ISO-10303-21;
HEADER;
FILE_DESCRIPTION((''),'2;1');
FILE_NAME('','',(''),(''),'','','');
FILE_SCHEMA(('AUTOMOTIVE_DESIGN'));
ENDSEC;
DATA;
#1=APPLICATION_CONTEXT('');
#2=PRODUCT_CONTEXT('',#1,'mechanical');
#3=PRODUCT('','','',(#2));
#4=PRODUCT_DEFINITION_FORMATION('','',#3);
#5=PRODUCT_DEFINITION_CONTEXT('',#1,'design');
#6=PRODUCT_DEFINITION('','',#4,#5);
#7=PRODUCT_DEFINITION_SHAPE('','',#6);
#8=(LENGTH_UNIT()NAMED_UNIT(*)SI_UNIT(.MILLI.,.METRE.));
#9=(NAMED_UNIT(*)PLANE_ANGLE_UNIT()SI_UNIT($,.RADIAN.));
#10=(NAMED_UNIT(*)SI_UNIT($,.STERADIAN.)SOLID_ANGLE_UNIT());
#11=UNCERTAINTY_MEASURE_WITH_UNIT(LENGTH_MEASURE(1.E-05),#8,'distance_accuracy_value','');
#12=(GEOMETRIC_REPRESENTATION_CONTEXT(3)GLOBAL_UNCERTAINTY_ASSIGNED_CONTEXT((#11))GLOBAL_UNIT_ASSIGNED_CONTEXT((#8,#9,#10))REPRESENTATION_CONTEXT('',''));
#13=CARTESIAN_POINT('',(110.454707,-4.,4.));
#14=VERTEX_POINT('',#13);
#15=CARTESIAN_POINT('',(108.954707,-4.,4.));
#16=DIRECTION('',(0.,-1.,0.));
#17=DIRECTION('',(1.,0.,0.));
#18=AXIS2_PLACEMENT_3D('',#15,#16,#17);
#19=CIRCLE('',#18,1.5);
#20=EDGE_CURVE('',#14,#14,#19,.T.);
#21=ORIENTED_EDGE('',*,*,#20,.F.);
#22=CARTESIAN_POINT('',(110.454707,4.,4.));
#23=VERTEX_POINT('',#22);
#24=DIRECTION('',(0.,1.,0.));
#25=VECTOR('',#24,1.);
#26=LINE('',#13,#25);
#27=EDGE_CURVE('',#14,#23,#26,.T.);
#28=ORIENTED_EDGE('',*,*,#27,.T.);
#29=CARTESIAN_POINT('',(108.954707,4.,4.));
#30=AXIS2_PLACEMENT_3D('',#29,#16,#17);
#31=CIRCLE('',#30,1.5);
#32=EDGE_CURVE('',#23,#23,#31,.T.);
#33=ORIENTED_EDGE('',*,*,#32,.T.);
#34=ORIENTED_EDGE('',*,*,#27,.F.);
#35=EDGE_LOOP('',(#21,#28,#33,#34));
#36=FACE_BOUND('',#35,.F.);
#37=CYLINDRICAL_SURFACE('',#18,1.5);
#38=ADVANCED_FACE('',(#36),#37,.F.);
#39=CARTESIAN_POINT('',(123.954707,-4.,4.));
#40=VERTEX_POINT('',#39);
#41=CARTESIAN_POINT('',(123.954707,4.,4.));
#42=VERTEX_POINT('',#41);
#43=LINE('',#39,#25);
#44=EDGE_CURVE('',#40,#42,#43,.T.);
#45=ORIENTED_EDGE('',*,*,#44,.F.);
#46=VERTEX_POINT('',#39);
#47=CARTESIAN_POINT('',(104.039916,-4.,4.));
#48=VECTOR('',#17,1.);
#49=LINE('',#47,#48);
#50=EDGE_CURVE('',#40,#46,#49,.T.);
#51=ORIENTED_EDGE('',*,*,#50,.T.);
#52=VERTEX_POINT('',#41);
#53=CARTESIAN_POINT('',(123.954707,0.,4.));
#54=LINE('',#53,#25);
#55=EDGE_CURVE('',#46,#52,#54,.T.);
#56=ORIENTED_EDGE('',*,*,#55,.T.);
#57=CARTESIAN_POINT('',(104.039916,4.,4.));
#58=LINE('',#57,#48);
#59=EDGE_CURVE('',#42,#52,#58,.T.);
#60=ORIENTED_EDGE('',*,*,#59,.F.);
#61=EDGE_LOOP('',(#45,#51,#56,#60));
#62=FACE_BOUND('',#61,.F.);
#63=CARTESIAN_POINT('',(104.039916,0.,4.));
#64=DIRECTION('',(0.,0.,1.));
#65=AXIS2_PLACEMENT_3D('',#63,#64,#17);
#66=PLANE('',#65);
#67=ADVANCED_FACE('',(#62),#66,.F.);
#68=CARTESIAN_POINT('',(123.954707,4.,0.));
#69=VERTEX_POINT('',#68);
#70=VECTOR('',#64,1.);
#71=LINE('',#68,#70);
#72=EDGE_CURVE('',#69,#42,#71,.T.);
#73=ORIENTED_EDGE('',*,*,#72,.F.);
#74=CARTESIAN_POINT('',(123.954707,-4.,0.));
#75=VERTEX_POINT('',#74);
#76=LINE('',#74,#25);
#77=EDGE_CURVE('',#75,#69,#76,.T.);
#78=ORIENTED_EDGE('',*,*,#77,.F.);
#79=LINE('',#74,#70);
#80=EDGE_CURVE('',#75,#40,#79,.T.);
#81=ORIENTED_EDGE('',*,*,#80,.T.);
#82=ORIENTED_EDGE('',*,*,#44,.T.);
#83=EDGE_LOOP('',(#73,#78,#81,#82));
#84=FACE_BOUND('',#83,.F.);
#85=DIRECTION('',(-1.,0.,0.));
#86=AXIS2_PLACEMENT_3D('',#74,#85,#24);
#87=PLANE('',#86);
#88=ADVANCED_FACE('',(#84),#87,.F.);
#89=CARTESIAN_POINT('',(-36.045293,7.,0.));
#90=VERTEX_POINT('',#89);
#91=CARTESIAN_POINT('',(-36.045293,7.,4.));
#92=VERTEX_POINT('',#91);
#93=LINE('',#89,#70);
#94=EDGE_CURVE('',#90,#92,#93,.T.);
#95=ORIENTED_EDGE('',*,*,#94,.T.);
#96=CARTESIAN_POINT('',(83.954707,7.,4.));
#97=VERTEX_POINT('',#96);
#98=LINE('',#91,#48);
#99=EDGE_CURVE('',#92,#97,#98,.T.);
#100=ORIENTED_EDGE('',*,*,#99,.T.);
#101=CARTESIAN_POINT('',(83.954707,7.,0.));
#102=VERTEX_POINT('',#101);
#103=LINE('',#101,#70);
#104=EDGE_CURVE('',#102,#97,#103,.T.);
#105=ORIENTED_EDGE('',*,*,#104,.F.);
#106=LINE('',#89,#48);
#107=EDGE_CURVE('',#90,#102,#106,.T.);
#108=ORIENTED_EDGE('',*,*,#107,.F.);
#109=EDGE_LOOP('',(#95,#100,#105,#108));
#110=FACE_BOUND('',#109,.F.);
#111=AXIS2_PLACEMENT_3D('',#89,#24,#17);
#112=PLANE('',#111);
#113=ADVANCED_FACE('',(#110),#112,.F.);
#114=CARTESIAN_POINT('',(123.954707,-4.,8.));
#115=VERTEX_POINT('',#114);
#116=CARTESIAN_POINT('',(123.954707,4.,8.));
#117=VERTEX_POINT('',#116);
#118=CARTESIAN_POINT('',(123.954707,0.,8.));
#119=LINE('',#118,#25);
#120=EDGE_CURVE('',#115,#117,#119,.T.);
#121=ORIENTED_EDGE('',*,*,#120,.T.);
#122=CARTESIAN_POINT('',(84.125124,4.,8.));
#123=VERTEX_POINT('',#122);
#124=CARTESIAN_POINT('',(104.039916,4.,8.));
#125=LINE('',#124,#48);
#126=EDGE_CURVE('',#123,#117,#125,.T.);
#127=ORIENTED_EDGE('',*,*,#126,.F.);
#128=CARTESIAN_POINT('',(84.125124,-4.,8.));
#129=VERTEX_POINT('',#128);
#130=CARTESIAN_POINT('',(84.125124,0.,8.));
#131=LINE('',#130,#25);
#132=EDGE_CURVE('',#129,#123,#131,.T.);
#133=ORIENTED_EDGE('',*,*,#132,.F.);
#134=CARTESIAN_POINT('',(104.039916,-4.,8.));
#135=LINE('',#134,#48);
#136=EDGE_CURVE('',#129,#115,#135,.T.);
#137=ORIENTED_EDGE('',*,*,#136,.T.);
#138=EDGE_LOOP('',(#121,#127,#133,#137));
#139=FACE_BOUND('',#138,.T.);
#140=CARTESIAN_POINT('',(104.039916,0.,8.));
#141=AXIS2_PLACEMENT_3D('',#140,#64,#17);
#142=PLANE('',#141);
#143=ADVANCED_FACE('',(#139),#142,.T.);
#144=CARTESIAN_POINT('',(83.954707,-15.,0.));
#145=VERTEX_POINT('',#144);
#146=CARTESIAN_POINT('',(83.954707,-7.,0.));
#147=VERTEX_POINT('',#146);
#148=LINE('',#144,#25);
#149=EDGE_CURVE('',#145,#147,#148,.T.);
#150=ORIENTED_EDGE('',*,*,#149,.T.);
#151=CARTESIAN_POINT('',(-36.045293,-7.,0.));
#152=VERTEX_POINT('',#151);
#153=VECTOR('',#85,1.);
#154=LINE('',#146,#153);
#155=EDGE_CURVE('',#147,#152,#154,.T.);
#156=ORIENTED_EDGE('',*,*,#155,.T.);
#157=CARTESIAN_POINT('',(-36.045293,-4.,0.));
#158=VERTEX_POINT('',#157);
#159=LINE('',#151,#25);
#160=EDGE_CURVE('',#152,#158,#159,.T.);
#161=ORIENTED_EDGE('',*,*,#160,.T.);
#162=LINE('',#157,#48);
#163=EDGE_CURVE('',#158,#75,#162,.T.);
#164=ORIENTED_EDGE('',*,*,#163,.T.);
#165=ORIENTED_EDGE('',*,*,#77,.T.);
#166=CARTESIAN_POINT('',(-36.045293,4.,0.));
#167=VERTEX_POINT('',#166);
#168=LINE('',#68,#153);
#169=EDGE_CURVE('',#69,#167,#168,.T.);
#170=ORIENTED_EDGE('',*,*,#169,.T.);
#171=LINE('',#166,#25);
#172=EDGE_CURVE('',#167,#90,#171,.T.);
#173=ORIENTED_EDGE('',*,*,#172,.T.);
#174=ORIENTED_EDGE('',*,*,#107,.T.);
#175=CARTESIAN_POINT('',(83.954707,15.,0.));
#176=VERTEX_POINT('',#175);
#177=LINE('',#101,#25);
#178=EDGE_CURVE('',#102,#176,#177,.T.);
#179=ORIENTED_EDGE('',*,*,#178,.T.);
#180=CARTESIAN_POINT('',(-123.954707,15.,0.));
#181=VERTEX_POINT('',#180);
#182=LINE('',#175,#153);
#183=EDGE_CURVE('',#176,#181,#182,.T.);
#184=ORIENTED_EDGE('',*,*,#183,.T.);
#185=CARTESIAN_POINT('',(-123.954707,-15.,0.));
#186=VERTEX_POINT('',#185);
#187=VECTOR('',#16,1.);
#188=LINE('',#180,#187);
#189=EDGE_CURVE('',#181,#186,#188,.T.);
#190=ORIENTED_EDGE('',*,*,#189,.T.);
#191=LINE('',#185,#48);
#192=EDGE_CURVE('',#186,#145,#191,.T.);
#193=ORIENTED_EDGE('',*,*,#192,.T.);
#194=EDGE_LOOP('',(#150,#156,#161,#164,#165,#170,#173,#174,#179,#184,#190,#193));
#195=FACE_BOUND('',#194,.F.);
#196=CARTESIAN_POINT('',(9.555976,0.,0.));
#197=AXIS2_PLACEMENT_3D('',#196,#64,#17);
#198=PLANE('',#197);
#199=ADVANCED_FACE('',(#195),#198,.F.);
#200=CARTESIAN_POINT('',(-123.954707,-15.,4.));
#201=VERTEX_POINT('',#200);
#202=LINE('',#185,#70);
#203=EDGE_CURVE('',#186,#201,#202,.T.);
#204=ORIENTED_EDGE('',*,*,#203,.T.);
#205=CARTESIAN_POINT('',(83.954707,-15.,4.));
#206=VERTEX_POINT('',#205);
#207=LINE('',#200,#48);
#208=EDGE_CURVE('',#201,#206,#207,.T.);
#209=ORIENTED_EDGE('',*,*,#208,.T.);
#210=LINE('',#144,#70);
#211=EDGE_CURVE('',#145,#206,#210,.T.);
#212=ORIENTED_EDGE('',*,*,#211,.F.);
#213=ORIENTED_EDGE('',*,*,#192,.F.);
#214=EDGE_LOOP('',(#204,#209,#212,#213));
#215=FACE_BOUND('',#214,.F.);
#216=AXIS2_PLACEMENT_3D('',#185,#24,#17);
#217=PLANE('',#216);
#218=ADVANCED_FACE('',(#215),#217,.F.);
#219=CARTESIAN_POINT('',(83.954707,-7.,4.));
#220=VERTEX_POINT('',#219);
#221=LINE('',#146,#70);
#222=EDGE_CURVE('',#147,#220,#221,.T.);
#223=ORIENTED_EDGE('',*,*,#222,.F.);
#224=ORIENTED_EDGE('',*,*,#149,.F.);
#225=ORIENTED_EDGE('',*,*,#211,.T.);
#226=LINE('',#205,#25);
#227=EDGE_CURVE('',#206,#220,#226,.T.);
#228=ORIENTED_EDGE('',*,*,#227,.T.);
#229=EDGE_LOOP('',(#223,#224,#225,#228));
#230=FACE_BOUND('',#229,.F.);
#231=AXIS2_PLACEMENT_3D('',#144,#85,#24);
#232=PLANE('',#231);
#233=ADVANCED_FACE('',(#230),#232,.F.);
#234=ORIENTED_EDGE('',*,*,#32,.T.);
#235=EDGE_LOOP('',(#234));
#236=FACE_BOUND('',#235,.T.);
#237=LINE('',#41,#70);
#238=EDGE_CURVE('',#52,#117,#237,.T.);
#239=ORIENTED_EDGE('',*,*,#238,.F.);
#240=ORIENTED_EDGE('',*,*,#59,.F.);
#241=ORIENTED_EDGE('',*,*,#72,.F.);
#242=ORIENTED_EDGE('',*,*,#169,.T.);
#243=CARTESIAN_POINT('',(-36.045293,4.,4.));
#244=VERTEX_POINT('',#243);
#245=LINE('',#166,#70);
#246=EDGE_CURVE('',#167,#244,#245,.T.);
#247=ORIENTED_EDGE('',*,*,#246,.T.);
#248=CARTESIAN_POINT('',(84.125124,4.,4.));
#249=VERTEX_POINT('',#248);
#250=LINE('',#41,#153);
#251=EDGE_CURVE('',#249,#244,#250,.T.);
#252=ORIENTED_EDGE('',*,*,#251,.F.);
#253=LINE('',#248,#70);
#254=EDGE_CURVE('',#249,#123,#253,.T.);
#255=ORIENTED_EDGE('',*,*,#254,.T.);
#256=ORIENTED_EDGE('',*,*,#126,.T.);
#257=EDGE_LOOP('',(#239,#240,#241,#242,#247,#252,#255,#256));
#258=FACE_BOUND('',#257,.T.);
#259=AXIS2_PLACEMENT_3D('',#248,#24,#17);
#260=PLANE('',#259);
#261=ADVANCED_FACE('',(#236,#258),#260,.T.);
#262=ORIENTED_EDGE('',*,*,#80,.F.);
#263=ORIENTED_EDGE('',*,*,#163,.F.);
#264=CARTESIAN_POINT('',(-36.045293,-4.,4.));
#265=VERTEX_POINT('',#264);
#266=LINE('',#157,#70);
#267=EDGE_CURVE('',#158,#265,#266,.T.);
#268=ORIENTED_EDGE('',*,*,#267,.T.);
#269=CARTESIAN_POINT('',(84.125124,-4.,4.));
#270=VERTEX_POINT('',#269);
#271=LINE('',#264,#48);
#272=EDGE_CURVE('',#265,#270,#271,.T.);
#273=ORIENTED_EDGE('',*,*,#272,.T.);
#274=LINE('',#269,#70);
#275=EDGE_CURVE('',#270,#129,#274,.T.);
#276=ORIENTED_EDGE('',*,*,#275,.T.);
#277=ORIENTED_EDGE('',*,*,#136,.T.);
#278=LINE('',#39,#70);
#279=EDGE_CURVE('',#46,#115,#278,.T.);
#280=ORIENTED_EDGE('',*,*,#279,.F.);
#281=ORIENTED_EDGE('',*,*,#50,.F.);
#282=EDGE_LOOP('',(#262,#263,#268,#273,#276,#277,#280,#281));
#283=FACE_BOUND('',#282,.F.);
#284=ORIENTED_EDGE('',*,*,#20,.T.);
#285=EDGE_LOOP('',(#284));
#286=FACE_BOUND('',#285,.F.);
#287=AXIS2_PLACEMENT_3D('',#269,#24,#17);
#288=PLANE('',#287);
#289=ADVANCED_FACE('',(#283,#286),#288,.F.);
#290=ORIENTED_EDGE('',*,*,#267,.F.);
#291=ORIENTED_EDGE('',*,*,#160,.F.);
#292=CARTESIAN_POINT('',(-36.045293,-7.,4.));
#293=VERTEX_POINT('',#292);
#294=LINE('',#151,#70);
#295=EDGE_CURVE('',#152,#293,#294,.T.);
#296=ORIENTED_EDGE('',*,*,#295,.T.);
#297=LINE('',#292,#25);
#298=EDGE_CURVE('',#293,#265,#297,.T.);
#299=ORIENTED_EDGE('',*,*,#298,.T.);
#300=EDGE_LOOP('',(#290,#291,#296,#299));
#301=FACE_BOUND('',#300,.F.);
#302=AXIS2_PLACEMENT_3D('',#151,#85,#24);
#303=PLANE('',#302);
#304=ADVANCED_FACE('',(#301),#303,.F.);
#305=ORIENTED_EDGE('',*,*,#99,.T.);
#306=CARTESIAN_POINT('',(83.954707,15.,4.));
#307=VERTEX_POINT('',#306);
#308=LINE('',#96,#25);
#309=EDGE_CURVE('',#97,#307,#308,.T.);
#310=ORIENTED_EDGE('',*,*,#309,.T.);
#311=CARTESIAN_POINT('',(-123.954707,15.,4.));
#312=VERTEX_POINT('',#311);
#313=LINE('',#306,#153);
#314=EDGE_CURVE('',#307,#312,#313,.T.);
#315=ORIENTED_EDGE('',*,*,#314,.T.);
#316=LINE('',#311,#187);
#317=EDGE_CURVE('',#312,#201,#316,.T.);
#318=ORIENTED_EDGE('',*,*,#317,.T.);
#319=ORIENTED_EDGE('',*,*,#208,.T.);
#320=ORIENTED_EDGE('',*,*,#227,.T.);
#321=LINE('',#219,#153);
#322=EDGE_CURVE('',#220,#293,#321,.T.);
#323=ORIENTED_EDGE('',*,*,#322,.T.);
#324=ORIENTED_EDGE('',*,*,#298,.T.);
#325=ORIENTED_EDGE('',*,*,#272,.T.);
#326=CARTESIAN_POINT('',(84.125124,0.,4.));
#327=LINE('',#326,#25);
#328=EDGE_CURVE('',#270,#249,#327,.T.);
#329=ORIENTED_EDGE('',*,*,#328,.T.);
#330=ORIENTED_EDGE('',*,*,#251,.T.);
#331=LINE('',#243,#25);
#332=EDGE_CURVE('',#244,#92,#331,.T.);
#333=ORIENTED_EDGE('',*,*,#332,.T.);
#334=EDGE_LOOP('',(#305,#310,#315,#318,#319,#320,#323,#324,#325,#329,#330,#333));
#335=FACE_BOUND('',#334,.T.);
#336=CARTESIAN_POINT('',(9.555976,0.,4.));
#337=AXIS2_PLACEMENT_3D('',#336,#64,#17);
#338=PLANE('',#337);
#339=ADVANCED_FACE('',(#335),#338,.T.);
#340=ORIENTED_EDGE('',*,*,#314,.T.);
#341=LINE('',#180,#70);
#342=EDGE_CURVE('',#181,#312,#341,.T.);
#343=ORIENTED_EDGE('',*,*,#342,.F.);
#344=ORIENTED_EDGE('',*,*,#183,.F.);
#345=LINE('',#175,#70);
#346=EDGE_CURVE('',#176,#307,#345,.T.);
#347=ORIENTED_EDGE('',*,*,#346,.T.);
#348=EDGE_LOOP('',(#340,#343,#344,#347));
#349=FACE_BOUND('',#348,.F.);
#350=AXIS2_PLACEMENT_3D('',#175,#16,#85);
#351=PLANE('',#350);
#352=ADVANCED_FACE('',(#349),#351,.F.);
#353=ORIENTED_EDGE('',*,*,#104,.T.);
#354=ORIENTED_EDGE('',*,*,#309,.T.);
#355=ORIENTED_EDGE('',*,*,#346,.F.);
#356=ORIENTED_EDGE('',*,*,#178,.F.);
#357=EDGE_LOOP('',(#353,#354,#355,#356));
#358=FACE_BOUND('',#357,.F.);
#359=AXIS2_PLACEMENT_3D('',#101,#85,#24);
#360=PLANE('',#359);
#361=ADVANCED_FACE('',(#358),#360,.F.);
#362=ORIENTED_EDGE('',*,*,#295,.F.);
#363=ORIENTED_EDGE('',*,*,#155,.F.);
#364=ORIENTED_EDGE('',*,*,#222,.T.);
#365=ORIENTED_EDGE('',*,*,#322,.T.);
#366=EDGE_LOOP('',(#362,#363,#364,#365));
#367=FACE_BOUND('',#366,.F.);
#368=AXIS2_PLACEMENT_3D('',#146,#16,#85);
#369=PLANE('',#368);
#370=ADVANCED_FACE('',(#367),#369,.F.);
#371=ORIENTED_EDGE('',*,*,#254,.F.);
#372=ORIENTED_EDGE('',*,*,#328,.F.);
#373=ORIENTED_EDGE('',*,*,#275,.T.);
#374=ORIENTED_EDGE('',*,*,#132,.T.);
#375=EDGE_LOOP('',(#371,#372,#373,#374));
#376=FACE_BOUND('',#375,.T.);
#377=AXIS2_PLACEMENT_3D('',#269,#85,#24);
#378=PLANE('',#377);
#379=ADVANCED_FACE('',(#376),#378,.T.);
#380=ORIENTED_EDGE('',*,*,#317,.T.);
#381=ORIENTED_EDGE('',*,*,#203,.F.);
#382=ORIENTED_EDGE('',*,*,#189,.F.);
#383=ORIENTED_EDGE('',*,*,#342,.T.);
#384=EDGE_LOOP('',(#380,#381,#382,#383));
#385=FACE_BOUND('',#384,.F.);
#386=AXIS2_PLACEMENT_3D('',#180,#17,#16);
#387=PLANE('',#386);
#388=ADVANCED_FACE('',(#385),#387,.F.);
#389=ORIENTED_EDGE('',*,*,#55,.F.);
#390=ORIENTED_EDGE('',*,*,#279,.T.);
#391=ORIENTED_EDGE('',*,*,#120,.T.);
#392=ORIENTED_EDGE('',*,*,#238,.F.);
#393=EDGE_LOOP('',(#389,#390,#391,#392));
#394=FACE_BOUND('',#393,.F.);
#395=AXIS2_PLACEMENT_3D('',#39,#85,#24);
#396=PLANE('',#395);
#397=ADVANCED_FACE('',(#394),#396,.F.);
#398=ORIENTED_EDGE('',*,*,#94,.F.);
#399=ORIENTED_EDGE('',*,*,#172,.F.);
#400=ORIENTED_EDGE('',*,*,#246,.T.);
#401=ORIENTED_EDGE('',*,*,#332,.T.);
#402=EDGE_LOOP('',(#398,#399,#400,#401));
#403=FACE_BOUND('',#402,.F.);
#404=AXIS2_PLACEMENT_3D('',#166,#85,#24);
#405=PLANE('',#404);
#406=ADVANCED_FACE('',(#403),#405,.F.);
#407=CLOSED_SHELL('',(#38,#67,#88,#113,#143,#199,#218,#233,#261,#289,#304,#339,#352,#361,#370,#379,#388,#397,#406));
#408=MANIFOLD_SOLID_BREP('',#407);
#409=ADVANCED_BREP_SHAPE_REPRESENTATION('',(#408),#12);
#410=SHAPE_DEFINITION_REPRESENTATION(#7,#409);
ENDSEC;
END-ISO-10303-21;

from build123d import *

# Parameters (mm, degrees)
F1_DEPTH = 4
F2_W     = 39.829583
F2_H     = 8
F3_DEPTH = 4
F4_R     = 1.5
F5_DEPTH = 12


with BuildPart() as f1:
    # F0 (on Top) → F1 (new body)
    with BuildSketch(Plane.XY):
        Polygon((-123.954707, -15), (83.954707, -15), (83.954707, -7), (-36.045293, -7), (-36.045293, -4), (123.954707, -4), (123.954707, 4), (-36.045293, 4), (-36.045293, 7), (83.954707, 7), (83.954707, 15), (-123.954707, 15), align=None)
    extrude(amount=F1_DEPTH)

    # F2 (on face) → F3 (join)
    with BuildSketch(Plane.XY.offset(4)):
        with Locations((104.039916, 0)):
            Rectangle(F2_W, F2_H)
    extrude(amount=F3_DEPTH)

    # F4 (on face) → F5 (cut)
    with BuildSketch(Plane.XZ.offset(4)):
        with Locations((108.954707, 4)):
            Circle(F4_R)
    extrude(amount=-F5_DEPTH, mode=Mode.SUBTRACT)


solid = f1.part
